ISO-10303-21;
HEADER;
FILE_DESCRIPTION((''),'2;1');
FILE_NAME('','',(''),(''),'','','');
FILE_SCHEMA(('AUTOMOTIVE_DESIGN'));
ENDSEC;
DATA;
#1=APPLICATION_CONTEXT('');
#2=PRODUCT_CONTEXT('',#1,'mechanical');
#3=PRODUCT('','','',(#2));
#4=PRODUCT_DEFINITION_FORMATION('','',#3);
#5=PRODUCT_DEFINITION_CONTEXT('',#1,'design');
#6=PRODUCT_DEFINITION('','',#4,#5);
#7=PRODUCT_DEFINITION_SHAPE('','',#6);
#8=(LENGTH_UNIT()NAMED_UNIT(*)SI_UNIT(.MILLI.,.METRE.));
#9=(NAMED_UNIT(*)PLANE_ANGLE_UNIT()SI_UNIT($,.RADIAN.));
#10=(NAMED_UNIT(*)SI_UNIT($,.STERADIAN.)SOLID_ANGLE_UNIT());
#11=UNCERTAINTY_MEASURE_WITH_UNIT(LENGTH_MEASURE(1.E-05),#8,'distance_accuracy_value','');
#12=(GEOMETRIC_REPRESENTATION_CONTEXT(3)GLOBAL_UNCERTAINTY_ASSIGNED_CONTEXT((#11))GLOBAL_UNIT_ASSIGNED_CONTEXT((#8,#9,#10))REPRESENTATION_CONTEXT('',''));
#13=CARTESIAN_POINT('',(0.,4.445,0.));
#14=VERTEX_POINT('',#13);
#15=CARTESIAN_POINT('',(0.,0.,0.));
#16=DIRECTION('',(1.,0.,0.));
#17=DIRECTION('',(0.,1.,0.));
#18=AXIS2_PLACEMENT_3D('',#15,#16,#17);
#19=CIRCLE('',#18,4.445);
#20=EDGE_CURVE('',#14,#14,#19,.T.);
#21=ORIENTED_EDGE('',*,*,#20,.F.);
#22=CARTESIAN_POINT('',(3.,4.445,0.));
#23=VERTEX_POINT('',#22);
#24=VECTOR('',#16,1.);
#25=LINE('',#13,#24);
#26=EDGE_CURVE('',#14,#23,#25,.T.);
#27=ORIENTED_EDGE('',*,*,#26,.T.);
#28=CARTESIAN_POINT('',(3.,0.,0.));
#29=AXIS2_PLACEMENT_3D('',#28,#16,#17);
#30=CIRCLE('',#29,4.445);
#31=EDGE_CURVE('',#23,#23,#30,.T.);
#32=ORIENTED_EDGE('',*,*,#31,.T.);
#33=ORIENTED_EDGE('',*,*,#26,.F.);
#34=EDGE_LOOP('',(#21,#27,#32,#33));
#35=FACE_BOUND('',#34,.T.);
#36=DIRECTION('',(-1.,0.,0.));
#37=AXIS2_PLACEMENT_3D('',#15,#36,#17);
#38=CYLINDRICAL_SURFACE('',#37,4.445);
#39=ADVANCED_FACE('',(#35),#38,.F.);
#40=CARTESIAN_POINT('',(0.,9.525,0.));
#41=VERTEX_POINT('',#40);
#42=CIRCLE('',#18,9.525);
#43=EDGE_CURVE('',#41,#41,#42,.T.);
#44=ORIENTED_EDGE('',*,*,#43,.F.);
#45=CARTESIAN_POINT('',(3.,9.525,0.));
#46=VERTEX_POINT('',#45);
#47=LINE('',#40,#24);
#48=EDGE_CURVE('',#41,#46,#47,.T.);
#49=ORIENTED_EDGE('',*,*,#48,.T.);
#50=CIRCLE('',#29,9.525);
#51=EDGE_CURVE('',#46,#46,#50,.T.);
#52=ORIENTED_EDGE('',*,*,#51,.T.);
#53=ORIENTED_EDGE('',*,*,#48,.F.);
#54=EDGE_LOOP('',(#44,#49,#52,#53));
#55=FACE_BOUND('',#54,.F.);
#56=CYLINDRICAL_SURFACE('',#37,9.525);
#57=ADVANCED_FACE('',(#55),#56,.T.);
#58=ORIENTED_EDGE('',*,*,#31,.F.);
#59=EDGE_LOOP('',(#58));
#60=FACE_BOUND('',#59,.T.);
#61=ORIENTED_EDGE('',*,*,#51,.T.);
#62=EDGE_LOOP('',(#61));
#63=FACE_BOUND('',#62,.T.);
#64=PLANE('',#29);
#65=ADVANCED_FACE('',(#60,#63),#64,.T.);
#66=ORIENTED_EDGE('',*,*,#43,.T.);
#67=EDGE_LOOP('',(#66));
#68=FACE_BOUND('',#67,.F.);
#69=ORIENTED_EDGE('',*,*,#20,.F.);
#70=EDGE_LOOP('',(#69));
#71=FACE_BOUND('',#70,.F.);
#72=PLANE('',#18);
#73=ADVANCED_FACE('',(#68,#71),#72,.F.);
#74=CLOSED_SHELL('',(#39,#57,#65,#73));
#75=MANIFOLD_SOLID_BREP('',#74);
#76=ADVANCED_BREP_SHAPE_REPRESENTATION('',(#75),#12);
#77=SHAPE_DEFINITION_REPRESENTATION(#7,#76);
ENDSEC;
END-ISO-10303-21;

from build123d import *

# Parameters (mm, degrees)
F0_R     = 9.525
F1_DEPTH = 3
F2_R     = 4.445
F3_DEPTH = 3


with BuildPart() as f1:
    # F0 (on Right) → F1 (new body)
    with BuildSketch(Plane.YZ):
        Circle(F0_R)
    extrude(amount=F1_DEPTH)

    # F2 (on Right) → F3 (cut)
    with BuildSketch(Plane.YZ):
        Circle(F2_R)
    extrude(amount=F3_DEPTH, mode=Mode.SUBTRACT)


solid = f1.part
